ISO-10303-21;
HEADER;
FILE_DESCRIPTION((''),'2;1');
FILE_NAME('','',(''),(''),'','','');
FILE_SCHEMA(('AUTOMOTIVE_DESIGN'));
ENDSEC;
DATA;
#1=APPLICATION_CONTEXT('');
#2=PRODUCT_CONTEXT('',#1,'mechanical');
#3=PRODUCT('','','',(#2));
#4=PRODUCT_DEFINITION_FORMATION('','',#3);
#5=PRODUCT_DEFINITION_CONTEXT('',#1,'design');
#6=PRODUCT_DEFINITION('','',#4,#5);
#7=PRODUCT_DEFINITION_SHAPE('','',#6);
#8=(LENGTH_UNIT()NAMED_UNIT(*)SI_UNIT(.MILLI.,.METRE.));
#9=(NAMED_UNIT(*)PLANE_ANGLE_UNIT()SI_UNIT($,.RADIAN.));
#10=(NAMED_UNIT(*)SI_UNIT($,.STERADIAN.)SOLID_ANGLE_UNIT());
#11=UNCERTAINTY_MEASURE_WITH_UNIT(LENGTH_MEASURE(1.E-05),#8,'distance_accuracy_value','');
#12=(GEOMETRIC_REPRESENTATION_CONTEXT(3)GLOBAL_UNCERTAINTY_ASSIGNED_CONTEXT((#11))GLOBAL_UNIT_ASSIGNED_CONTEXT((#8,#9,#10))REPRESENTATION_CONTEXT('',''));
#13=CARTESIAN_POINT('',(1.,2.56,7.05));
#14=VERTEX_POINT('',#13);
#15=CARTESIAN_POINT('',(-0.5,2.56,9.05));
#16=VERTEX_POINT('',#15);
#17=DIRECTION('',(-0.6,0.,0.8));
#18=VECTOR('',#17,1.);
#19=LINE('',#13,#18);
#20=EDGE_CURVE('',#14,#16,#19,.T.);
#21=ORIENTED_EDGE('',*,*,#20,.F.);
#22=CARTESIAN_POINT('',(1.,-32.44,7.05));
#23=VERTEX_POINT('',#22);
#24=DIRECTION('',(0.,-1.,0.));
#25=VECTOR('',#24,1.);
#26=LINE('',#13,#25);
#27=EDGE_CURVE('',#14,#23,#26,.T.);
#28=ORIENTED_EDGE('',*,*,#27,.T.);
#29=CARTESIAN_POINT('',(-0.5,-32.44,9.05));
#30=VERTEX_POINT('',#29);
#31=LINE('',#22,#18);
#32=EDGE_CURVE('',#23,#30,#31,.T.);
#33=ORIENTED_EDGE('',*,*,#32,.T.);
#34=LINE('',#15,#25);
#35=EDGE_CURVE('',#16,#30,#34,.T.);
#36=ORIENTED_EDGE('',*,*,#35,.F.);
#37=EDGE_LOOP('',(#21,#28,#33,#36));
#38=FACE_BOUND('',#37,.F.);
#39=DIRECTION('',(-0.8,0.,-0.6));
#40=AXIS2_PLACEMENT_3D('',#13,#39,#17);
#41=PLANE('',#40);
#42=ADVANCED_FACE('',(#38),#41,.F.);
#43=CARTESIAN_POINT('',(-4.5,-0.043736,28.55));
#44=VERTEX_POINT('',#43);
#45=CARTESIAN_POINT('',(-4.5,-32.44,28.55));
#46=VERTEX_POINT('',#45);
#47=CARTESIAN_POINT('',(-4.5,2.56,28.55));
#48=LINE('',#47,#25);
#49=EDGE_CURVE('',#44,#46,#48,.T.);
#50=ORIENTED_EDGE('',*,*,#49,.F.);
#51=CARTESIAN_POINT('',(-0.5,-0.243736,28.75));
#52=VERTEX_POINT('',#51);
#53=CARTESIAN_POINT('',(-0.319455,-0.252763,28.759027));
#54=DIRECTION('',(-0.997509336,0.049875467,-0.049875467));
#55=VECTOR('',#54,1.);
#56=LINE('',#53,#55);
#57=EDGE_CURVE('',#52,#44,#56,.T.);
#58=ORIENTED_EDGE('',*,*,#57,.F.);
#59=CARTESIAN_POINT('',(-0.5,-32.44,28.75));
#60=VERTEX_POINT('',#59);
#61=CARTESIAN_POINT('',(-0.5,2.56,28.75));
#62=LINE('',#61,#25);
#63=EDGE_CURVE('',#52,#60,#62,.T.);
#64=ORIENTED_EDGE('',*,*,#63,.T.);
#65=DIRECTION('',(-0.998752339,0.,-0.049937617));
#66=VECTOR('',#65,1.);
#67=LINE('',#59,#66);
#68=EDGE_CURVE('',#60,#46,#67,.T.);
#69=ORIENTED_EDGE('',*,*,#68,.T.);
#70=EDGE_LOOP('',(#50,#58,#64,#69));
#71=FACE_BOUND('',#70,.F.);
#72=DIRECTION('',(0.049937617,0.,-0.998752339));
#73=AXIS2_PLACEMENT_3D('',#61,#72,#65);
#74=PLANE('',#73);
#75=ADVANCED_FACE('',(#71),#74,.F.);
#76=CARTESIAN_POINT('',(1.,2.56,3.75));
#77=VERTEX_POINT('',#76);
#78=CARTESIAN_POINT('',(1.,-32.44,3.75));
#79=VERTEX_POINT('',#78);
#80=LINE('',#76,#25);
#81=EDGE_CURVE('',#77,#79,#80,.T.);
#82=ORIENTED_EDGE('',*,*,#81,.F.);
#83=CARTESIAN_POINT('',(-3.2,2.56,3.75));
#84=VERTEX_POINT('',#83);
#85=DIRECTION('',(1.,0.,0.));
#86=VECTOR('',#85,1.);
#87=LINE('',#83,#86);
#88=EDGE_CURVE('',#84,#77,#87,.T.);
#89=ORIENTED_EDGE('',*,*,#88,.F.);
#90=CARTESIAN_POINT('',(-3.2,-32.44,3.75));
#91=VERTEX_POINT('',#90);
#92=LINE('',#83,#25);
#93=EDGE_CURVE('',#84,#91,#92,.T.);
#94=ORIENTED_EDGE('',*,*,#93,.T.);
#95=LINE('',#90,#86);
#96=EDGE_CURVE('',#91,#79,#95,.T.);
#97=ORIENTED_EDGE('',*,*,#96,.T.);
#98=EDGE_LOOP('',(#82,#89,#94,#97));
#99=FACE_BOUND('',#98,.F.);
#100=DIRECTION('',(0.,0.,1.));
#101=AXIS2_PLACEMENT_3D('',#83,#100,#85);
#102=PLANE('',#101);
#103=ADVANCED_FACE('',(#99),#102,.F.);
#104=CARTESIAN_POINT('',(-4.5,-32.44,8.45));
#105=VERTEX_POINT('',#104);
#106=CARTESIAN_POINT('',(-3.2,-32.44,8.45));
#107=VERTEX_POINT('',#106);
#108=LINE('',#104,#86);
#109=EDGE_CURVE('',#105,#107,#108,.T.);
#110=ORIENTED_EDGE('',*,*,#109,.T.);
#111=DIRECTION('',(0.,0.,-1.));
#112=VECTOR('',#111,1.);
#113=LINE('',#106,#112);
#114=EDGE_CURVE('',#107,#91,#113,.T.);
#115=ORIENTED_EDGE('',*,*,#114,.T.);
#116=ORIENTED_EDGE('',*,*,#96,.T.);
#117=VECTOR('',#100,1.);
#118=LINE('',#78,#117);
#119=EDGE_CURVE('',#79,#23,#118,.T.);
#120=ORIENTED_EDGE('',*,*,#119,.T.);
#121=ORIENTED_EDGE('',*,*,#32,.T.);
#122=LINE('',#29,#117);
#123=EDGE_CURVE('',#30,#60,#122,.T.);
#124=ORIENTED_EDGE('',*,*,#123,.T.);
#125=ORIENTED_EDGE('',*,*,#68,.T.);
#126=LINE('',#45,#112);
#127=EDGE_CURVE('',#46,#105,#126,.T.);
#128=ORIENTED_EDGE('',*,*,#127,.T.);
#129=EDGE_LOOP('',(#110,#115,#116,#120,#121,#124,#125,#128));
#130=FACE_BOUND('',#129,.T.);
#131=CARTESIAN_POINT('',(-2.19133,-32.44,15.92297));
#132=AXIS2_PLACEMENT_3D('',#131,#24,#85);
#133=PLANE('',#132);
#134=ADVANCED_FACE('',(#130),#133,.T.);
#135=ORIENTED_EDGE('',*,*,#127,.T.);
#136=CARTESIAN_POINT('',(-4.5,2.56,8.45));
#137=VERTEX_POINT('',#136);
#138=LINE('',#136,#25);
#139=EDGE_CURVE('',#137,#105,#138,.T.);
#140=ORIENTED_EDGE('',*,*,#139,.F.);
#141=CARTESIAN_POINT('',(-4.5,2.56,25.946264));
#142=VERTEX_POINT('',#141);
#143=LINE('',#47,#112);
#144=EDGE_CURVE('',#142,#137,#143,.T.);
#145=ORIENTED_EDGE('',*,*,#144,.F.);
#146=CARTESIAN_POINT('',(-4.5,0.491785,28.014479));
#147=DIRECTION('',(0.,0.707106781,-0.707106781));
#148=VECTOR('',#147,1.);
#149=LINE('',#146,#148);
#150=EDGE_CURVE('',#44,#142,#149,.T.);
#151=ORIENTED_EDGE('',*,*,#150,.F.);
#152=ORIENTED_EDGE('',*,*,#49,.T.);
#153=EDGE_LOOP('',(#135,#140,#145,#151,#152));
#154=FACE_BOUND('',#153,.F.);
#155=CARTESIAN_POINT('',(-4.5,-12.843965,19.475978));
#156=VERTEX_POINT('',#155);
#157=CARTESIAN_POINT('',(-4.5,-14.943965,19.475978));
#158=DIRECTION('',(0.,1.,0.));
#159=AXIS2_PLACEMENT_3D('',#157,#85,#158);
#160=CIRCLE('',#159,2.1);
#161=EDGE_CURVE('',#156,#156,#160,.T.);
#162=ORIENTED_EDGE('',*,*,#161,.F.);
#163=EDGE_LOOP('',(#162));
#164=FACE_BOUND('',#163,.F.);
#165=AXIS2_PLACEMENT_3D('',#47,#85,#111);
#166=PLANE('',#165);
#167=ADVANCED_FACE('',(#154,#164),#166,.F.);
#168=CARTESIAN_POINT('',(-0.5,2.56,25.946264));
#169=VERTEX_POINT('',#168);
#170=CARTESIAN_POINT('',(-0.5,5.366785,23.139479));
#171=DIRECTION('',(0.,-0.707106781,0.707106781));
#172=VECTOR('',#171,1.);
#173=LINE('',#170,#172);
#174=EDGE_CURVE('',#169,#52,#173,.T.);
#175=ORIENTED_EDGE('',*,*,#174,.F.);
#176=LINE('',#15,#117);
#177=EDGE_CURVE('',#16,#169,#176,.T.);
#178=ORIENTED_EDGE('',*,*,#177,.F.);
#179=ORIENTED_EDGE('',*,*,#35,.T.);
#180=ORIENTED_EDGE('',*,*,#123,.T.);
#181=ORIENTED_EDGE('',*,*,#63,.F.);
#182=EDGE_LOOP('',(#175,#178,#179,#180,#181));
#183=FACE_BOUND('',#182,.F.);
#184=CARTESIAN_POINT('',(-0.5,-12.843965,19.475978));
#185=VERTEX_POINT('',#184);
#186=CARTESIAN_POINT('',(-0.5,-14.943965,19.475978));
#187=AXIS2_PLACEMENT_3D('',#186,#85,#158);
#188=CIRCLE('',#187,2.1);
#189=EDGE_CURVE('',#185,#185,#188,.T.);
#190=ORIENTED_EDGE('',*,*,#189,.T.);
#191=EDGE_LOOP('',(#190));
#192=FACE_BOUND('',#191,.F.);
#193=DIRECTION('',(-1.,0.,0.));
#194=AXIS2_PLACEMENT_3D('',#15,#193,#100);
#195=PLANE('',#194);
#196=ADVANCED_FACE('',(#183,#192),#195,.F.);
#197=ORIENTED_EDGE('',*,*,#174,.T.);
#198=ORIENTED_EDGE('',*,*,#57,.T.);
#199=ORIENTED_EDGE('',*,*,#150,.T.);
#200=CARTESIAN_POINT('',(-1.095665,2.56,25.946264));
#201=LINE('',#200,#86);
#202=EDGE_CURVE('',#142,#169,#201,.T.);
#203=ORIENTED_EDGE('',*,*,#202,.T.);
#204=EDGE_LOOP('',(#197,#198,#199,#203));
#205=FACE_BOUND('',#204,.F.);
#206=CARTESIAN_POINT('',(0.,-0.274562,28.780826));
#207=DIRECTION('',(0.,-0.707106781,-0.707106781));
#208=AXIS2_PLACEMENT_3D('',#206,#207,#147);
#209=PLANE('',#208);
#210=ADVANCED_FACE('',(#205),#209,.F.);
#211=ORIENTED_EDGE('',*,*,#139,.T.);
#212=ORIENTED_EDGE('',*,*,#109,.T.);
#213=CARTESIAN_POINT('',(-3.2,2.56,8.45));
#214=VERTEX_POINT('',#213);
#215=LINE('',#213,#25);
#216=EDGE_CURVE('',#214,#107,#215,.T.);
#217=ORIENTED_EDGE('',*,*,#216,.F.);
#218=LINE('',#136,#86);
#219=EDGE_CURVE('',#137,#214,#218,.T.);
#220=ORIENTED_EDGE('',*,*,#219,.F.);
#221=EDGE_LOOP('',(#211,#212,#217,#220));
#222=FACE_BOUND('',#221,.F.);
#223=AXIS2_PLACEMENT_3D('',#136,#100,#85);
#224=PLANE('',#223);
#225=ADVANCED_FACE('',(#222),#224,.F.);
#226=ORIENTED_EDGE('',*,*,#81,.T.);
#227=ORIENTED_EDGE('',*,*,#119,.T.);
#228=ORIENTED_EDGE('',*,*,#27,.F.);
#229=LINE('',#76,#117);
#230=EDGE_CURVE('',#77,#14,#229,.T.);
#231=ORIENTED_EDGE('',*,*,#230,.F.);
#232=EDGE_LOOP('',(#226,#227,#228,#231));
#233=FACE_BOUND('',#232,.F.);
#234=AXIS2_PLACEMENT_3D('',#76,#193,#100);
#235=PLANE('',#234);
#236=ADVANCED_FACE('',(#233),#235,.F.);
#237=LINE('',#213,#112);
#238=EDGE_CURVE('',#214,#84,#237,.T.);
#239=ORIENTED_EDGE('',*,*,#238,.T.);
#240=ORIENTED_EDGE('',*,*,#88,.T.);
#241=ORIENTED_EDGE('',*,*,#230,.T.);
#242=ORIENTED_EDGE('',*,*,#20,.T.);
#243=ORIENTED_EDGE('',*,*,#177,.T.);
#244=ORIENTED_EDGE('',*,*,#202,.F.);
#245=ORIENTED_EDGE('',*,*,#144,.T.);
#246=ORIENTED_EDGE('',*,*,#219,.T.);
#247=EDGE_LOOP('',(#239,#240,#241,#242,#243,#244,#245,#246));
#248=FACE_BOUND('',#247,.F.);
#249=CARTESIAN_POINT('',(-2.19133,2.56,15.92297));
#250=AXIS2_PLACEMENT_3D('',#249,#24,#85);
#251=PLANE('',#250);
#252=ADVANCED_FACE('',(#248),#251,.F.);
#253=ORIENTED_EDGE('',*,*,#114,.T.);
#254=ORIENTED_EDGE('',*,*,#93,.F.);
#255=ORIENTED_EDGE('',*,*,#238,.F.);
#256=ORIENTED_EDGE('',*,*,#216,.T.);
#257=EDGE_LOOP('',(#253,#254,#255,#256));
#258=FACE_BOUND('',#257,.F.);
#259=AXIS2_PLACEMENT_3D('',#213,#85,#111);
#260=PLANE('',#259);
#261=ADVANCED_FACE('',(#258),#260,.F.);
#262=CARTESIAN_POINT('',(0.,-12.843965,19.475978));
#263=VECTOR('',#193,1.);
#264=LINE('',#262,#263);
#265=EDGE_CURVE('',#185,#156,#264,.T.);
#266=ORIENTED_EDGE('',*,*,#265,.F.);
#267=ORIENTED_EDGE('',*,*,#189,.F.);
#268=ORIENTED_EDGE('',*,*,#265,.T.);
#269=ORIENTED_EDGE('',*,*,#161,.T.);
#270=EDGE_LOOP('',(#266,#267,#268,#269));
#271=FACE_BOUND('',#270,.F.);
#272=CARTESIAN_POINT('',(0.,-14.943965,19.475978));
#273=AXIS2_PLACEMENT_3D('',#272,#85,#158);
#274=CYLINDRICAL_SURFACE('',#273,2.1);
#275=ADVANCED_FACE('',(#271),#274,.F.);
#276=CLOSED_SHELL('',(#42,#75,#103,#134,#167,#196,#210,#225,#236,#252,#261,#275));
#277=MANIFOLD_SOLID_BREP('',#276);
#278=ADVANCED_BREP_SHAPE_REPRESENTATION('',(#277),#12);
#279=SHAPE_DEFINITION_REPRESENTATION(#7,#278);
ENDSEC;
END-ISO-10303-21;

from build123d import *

# Parameters (mm, degrees)
PAD_DEPTH       = 35
POCKET001_DEPTH = 4.501
SKETCH010_R     = 2.1
POCKET_DEPTH    = 4.501


with BuildPart() as part:
    # Sketch001 → Pad (new body)
    with BuildSketch(Plane(origin=(0, 2.56, 3.75), x_dir=(1, 0, 0), z_dir=(0, -1, 0))):
        Polygon((-3.2, 0), (1, 0), (1, 3.3), (-0.5, 5.3), (-0.5, 25), (-4.5, 24.8), (-4.5, 4.7), (-3.2, 4.7), align=None)
    extrude(amount=PAD_DEPTH)

    # Sketch004 (on Body) → Pocket001 (cut, through all)
    with BuildSketch(Plane(origin=(0, 0.1, 0), x_dir=(0, 1, 0), z_dir=(1, 0, 0))):
        Polygon((-0.374562, 28.780826), (2.525438, 25.880826), (2.525438, 28.780826), align=None)
    extrude(amount=-POCKET001_DEPTH, mode=Mode.SUBTRACT)

    # Sketch010 → Pocket (cut, through all)
    with BuildSketch(Plane.YZ):
        with Locations((-14.943965, 19.475978)):
            Circle(SKETCH010_R)
    extrude(amount=-POCKET_DEPTH, mode=Mode.SUBTRACT)


solid = part.part
